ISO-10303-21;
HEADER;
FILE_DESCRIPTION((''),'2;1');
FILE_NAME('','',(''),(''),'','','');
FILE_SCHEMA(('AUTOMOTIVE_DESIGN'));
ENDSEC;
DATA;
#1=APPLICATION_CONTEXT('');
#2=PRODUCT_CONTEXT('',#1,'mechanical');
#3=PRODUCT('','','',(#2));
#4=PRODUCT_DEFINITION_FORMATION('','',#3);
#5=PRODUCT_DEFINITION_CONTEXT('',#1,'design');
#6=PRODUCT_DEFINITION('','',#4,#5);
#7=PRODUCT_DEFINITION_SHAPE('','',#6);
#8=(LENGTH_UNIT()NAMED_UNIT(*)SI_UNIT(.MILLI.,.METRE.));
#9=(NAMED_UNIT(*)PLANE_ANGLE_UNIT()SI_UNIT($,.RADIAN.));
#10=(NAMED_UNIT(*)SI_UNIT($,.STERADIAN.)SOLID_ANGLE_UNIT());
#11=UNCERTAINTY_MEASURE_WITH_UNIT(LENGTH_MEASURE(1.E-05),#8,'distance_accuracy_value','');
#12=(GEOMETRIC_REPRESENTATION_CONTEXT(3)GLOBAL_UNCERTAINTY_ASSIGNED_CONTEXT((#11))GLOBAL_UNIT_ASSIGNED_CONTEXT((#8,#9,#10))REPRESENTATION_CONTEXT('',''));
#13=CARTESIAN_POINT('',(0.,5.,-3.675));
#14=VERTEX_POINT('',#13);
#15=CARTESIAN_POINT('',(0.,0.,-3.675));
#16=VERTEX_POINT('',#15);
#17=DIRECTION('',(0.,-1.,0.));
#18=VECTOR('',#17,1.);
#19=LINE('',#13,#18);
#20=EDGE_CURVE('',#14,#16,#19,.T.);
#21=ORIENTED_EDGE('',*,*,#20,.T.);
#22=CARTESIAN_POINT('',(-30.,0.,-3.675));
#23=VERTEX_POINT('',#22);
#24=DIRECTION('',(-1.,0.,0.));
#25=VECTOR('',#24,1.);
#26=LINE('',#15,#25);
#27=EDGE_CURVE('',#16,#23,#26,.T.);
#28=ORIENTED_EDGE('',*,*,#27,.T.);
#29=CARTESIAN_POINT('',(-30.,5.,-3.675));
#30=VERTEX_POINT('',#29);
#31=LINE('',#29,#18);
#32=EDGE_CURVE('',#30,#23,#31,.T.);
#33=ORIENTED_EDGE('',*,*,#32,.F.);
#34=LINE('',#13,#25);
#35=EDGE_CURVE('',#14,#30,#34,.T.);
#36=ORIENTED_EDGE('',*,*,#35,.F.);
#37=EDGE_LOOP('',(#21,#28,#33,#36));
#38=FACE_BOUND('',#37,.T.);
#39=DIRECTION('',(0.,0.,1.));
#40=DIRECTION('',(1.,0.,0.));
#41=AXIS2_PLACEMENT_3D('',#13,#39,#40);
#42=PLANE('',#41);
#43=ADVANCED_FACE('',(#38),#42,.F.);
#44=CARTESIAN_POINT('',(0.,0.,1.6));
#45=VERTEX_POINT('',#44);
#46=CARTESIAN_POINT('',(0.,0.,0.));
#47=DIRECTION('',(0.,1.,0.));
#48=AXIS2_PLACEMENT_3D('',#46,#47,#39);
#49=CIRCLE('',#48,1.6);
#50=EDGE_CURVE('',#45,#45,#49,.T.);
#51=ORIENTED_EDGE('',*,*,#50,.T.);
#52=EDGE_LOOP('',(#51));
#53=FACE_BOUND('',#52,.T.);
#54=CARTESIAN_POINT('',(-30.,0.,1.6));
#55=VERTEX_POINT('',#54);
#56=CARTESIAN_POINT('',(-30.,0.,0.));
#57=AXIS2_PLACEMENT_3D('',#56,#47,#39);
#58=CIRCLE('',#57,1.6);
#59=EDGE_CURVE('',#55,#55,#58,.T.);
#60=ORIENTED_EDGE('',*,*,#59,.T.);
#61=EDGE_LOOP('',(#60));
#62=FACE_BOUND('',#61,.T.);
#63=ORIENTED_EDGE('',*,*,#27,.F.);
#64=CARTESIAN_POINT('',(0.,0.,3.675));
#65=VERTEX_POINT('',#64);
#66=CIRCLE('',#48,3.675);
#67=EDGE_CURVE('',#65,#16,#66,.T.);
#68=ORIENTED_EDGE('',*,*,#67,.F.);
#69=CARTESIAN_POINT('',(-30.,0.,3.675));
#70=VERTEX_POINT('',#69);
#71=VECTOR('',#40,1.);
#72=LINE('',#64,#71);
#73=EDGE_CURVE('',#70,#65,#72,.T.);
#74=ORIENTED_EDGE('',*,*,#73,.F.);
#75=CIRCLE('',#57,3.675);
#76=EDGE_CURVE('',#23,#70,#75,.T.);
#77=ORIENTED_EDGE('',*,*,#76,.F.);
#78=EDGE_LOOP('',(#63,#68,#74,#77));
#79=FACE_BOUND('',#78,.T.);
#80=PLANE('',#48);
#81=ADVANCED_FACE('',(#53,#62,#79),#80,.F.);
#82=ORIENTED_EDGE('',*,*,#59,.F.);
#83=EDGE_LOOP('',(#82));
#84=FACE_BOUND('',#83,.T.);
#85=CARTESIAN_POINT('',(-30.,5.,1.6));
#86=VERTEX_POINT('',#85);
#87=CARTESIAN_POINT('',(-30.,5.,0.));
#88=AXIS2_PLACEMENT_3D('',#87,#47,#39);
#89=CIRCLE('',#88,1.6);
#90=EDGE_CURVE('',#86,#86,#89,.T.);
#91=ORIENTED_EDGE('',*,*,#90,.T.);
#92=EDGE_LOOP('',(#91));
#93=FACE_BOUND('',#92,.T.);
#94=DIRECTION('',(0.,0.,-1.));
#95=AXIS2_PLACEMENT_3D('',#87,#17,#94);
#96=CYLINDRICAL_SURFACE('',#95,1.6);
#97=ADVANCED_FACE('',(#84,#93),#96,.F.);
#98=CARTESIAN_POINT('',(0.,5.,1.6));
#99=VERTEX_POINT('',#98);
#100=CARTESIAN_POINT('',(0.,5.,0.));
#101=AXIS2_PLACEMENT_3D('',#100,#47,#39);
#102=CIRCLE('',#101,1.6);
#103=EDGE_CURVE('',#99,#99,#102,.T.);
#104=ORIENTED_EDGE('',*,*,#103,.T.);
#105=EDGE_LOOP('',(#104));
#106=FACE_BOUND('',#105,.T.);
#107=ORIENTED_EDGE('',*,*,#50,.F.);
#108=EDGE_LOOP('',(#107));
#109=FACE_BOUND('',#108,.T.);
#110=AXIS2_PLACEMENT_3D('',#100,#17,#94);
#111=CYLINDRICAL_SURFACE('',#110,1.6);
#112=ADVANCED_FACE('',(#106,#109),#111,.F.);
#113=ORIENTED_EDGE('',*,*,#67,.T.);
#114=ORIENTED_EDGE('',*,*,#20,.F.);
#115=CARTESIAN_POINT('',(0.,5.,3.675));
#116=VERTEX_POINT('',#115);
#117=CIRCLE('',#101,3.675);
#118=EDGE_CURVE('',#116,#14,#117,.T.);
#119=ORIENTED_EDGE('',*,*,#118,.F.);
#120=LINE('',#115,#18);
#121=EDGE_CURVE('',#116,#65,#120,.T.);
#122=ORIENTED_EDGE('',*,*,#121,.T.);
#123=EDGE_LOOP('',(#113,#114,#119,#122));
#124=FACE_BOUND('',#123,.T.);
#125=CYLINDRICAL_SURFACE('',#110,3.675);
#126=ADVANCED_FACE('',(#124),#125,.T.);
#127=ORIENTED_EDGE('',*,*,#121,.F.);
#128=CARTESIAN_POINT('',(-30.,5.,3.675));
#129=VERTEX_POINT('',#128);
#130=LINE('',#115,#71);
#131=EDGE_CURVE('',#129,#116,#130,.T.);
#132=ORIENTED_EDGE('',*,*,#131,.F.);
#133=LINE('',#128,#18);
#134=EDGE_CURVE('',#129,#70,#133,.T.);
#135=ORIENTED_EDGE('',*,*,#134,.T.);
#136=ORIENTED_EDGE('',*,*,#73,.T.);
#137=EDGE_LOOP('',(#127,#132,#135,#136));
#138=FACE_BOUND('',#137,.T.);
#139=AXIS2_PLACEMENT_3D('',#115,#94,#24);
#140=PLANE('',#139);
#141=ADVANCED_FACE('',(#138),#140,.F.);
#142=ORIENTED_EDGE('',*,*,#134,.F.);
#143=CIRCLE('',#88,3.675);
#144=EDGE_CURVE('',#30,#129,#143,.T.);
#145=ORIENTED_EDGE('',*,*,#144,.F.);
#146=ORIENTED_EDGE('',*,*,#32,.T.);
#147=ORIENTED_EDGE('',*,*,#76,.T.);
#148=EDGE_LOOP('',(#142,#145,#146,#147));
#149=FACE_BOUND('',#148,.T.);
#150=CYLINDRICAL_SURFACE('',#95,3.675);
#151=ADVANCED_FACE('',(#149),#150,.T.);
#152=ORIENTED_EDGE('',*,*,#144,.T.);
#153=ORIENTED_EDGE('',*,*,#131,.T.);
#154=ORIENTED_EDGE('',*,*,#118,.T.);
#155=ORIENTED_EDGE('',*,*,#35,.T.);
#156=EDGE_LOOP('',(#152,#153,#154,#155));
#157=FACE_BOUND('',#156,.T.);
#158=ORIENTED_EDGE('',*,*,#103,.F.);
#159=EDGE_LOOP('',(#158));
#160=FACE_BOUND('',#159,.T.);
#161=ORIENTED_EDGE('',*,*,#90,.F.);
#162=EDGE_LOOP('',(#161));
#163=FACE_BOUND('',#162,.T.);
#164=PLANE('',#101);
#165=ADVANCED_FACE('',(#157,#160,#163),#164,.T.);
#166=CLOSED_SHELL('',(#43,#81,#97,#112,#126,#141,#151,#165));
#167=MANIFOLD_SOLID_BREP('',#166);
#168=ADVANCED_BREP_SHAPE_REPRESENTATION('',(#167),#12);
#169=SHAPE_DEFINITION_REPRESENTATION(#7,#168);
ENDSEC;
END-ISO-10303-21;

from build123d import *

# Parameters (mm, degrees)
SKETCH1_R           = 1.6
BOSS_EXTRUDE1_DEPTH = 5


with BuildPart() as part:
    # Sketch1 → Boss-Extrude1 (new body)
    with BuildSketch(Plane(origin=(0, 0, 0), x_dir=(1, 0, 0), z_dir=(0, 1, 0))):
        with BuildLine():
            Line((0, -3.675), (-30, -3.675))
            ThreePointArc((-30, -3.675), (-33.675, 0), (-30, 3.675))
            Line((-30, 3.675), (0, 3.675))
            ThreePointArc((0, 3.675), (3.675, 0), (0, -3.675))
        make_face()
        with Locations(Location((-30, 0, 0), (0, 0, 270))):
            Circle(SKETCH1_R, mode=Mode.SUBTRACT)
        with Locations(Location((0, 0, 0), (0, 0, 270))):
            Circle(SKETCH1_R, mode=Mode.SUBTRACT)
    extrude(amount=BOSS_EXTRUDE1_DEPTH)


solid = part.part
